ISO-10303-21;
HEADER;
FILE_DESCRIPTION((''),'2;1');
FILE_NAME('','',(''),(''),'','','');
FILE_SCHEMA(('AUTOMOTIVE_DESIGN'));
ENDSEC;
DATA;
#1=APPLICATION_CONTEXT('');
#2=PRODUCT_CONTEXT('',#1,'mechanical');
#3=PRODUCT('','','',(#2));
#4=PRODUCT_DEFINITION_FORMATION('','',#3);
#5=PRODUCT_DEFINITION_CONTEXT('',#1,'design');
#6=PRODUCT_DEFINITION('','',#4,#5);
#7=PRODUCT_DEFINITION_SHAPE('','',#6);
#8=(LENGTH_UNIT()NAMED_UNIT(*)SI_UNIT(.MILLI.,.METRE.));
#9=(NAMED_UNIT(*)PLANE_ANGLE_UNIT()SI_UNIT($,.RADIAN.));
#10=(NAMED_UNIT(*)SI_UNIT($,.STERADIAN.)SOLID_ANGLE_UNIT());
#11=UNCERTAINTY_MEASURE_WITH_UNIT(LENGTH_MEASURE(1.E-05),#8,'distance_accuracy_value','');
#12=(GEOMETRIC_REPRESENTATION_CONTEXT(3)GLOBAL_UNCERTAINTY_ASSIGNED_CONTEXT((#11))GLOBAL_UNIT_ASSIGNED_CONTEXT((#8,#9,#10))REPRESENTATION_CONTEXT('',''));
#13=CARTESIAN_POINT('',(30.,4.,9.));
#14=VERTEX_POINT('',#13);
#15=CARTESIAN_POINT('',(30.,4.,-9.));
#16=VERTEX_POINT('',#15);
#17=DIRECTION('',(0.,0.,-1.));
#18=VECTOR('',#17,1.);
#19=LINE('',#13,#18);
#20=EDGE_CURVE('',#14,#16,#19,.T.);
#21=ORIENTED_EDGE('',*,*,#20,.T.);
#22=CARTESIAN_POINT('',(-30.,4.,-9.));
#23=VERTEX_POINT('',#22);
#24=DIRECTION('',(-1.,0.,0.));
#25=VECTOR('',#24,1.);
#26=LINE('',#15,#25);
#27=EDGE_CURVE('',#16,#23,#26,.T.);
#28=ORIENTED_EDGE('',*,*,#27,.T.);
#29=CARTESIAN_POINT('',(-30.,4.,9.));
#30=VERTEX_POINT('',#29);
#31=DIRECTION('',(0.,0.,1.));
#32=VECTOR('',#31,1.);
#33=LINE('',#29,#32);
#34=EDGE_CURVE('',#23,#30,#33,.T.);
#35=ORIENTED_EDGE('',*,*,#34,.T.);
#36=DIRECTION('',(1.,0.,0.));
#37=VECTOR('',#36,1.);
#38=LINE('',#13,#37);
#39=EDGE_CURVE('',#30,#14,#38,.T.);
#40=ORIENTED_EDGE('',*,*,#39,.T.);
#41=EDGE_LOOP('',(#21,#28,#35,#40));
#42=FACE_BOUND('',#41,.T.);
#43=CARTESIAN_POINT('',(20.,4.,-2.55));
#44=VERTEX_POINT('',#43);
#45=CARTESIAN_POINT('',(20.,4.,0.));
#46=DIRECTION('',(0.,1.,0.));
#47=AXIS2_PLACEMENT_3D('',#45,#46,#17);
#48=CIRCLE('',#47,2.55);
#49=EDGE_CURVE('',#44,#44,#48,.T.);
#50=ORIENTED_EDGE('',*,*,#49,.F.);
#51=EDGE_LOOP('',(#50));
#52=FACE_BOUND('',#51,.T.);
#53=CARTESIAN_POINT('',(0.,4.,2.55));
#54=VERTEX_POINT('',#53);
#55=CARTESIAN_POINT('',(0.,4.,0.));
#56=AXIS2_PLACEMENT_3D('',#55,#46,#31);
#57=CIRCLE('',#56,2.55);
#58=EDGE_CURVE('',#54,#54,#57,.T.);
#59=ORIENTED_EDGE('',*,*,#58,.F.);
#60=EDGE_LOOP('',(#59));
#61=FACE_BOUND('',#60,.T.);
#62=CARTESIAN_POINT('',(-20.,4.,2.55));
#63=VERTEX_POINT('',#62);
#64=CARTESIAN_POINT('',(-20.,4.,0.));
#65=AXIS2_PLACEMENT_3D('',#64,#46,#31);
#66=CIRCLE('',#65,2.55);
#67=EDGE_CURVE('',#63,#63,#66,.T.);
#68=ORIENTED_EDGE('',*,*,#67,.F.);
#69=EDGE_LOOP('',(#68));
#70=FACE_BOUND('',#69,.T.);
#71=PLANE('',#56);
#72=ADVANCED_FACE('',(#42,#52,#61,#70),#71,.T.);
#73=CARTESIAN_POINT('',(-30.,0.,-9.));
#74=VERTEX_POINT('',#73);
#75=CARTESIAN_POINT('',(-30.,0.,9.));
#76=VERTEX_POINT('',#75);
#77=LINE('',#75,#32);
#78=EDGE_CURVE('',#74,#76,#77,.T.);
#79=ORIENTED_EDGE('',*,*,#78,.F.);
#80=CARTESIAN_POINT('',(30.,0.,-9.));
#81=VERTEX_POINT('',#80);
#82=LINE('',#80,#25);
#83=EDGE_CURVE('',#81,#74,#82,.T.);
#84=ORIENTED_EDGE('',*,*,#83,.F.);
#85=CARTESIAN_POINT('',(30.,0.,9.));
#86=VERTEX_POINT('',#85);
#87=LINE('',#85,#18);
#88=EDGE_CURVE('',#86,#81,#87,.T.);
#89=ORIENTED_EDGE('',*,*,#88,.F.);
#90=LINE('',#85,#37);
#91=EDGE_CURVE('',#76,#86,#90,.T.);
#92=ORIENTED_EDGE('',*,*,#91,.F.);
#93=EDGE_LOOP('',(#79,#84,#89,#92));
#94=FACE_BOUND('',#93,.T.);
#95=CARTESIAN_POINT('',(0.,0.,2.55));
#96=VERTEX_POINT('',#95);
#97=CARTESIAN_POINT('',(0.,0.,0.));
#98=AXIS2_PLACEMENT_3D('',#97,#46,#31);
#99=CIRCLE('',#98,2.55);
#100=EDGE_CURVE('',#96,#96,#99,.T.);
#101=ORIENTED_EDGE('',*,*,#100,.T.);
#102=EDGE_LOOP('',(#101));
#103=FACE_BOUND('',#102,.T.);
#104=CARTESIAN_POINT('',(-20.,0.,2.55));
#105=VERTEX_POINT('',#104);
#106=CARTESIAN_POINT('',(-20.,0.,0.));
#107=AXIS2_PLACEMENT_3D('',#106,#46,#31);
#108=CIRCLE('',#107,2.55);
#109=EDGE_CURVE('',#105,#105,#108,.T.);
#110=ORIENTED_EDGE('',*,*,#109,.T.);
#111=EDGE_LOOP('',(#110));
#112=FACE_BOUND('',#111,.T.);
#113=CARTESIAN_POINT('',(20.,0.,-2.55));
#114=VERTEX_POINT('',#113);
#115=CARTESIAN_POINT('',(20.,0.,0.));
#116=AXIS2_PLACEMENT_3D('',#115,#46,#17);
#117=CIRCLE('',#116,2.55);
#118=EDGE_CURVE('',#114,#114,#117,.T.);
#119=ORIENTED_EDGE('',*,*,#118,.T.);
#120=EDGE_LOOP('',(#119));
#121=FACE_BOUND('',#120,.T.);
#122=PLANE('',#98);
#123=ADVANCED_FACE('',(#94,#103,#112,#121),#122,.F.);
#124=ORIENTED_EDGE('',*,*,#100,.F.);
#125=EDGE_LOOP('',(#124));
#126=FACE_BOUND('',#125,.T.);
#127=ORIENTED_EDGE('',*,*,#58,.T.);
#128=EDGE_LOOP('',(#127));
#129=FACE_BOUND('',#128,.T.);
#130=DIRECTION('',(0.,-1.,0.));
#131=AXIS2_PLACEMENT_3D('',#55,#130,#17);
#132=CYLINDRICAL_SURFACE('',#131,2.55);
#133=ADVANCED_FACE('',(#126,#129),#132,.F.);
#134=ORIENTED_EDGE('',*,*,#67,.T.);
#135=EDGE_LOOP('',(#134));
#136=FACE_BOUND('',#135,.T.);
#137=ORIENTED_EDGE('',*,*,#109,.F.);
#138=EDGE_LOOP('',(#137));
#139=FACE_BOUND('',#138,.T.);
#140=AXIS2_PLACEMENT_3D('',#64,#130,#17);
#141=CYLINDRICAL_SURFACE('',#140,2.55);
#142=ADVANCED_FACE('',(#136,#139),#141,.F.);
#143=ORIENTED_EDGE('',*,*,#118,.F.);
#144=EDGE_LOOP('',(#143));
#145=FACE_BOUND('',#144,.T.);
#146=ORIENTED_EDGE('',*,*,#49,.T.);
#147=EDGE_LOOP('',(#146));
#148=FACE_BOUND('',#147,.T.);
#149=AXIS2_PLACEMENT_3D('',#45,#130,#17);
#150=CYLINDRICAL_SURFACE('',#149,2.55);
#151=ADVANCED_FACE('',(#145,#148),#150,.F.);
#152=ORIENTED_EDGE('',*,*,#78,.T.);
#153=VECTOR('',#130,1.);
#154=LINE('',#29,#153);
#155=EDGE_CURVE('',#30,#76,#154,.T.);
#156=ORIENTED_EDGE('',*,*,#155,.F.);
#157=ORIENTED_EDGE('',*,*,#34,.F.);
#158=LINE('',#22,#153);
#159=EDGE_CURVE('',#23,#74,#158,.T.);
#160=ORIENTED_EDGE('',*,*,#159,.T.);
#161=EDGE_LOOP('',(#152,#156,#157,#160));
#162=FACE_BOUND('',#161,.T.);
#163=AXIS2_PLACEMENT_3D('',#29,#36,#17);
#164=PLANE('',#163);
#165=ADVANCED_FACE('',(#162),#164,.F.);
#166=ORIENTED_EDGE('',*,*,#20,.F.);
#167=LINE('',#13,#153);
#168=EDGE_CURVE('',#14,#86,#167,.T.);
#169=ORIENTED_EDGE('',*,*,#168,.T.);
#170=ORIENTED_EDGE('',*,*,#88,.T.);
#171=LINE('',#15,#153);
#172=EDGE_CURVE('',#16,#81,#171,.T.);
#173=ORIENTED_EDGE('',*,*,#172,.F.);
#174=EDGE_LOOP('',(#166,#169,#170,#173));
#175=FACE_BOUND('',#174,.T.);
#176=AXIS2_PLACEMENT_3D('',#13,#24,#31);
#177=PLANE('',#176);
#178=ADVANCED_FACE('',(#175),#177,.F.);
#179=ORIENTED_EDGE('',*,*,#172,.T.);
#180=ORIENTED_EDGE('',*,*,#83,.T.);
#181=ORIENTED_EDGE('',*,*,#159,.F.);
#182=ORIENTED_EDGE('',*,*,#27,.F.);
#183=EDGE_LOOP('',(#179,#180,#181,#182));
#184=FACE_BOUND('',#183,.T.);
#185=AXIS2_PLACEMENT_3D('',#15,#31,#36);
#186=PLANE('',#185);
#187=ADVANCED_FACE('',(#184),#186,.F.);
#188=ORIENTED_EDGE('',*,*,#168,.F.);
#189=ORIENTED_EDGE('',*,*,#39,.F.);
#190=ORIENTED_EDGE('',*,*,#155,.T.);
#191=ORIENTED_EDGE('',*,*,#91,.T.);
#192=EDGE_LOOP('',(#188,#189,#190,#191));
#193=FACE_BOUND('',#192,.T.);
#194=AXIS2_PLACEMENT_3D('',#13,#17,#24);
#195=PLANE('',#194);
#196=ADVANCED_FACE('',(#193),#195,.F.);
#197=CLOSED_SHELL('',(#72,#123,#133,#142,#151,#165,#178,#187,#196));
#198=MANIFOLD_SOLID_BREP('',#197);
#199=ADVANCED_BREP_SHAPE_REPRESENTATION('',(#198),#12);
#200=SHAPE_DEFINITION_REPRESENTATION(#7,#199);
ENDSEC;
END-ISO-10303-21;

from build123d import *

# Parameters (mm, degrees)
SKETCH1_W           = 60
SKETCH1_H           = 18
SKETCH1_R           = 2.55
BOSS_EXTRUDE1_DEPTH = 4


with BuildPart() as part:
    # Sketch1 → Boss-Extrude1 (new body)
    with BuildSketch(Plane(origin=(0, 0, 0), x_dir=(1, 0, 0), z_dir=(0, 1, 0))):
        Rectangle(SKETCH1_W, SKETCH1_H)
        with Locations((-20, 0)):
            Circle(SKETCH1_R, mode=Mode.SUBTRACT)
        with Locations((20, 0)):
            Circle(SKETCH1_R, mode=Mode.SUBTRACT)
        Circle(SKETCH1_R, mode=Mode.SUBTRACT)
    extrude(amount=BOSS_EXTRUDE1_DEPTH)


solid = part.part
